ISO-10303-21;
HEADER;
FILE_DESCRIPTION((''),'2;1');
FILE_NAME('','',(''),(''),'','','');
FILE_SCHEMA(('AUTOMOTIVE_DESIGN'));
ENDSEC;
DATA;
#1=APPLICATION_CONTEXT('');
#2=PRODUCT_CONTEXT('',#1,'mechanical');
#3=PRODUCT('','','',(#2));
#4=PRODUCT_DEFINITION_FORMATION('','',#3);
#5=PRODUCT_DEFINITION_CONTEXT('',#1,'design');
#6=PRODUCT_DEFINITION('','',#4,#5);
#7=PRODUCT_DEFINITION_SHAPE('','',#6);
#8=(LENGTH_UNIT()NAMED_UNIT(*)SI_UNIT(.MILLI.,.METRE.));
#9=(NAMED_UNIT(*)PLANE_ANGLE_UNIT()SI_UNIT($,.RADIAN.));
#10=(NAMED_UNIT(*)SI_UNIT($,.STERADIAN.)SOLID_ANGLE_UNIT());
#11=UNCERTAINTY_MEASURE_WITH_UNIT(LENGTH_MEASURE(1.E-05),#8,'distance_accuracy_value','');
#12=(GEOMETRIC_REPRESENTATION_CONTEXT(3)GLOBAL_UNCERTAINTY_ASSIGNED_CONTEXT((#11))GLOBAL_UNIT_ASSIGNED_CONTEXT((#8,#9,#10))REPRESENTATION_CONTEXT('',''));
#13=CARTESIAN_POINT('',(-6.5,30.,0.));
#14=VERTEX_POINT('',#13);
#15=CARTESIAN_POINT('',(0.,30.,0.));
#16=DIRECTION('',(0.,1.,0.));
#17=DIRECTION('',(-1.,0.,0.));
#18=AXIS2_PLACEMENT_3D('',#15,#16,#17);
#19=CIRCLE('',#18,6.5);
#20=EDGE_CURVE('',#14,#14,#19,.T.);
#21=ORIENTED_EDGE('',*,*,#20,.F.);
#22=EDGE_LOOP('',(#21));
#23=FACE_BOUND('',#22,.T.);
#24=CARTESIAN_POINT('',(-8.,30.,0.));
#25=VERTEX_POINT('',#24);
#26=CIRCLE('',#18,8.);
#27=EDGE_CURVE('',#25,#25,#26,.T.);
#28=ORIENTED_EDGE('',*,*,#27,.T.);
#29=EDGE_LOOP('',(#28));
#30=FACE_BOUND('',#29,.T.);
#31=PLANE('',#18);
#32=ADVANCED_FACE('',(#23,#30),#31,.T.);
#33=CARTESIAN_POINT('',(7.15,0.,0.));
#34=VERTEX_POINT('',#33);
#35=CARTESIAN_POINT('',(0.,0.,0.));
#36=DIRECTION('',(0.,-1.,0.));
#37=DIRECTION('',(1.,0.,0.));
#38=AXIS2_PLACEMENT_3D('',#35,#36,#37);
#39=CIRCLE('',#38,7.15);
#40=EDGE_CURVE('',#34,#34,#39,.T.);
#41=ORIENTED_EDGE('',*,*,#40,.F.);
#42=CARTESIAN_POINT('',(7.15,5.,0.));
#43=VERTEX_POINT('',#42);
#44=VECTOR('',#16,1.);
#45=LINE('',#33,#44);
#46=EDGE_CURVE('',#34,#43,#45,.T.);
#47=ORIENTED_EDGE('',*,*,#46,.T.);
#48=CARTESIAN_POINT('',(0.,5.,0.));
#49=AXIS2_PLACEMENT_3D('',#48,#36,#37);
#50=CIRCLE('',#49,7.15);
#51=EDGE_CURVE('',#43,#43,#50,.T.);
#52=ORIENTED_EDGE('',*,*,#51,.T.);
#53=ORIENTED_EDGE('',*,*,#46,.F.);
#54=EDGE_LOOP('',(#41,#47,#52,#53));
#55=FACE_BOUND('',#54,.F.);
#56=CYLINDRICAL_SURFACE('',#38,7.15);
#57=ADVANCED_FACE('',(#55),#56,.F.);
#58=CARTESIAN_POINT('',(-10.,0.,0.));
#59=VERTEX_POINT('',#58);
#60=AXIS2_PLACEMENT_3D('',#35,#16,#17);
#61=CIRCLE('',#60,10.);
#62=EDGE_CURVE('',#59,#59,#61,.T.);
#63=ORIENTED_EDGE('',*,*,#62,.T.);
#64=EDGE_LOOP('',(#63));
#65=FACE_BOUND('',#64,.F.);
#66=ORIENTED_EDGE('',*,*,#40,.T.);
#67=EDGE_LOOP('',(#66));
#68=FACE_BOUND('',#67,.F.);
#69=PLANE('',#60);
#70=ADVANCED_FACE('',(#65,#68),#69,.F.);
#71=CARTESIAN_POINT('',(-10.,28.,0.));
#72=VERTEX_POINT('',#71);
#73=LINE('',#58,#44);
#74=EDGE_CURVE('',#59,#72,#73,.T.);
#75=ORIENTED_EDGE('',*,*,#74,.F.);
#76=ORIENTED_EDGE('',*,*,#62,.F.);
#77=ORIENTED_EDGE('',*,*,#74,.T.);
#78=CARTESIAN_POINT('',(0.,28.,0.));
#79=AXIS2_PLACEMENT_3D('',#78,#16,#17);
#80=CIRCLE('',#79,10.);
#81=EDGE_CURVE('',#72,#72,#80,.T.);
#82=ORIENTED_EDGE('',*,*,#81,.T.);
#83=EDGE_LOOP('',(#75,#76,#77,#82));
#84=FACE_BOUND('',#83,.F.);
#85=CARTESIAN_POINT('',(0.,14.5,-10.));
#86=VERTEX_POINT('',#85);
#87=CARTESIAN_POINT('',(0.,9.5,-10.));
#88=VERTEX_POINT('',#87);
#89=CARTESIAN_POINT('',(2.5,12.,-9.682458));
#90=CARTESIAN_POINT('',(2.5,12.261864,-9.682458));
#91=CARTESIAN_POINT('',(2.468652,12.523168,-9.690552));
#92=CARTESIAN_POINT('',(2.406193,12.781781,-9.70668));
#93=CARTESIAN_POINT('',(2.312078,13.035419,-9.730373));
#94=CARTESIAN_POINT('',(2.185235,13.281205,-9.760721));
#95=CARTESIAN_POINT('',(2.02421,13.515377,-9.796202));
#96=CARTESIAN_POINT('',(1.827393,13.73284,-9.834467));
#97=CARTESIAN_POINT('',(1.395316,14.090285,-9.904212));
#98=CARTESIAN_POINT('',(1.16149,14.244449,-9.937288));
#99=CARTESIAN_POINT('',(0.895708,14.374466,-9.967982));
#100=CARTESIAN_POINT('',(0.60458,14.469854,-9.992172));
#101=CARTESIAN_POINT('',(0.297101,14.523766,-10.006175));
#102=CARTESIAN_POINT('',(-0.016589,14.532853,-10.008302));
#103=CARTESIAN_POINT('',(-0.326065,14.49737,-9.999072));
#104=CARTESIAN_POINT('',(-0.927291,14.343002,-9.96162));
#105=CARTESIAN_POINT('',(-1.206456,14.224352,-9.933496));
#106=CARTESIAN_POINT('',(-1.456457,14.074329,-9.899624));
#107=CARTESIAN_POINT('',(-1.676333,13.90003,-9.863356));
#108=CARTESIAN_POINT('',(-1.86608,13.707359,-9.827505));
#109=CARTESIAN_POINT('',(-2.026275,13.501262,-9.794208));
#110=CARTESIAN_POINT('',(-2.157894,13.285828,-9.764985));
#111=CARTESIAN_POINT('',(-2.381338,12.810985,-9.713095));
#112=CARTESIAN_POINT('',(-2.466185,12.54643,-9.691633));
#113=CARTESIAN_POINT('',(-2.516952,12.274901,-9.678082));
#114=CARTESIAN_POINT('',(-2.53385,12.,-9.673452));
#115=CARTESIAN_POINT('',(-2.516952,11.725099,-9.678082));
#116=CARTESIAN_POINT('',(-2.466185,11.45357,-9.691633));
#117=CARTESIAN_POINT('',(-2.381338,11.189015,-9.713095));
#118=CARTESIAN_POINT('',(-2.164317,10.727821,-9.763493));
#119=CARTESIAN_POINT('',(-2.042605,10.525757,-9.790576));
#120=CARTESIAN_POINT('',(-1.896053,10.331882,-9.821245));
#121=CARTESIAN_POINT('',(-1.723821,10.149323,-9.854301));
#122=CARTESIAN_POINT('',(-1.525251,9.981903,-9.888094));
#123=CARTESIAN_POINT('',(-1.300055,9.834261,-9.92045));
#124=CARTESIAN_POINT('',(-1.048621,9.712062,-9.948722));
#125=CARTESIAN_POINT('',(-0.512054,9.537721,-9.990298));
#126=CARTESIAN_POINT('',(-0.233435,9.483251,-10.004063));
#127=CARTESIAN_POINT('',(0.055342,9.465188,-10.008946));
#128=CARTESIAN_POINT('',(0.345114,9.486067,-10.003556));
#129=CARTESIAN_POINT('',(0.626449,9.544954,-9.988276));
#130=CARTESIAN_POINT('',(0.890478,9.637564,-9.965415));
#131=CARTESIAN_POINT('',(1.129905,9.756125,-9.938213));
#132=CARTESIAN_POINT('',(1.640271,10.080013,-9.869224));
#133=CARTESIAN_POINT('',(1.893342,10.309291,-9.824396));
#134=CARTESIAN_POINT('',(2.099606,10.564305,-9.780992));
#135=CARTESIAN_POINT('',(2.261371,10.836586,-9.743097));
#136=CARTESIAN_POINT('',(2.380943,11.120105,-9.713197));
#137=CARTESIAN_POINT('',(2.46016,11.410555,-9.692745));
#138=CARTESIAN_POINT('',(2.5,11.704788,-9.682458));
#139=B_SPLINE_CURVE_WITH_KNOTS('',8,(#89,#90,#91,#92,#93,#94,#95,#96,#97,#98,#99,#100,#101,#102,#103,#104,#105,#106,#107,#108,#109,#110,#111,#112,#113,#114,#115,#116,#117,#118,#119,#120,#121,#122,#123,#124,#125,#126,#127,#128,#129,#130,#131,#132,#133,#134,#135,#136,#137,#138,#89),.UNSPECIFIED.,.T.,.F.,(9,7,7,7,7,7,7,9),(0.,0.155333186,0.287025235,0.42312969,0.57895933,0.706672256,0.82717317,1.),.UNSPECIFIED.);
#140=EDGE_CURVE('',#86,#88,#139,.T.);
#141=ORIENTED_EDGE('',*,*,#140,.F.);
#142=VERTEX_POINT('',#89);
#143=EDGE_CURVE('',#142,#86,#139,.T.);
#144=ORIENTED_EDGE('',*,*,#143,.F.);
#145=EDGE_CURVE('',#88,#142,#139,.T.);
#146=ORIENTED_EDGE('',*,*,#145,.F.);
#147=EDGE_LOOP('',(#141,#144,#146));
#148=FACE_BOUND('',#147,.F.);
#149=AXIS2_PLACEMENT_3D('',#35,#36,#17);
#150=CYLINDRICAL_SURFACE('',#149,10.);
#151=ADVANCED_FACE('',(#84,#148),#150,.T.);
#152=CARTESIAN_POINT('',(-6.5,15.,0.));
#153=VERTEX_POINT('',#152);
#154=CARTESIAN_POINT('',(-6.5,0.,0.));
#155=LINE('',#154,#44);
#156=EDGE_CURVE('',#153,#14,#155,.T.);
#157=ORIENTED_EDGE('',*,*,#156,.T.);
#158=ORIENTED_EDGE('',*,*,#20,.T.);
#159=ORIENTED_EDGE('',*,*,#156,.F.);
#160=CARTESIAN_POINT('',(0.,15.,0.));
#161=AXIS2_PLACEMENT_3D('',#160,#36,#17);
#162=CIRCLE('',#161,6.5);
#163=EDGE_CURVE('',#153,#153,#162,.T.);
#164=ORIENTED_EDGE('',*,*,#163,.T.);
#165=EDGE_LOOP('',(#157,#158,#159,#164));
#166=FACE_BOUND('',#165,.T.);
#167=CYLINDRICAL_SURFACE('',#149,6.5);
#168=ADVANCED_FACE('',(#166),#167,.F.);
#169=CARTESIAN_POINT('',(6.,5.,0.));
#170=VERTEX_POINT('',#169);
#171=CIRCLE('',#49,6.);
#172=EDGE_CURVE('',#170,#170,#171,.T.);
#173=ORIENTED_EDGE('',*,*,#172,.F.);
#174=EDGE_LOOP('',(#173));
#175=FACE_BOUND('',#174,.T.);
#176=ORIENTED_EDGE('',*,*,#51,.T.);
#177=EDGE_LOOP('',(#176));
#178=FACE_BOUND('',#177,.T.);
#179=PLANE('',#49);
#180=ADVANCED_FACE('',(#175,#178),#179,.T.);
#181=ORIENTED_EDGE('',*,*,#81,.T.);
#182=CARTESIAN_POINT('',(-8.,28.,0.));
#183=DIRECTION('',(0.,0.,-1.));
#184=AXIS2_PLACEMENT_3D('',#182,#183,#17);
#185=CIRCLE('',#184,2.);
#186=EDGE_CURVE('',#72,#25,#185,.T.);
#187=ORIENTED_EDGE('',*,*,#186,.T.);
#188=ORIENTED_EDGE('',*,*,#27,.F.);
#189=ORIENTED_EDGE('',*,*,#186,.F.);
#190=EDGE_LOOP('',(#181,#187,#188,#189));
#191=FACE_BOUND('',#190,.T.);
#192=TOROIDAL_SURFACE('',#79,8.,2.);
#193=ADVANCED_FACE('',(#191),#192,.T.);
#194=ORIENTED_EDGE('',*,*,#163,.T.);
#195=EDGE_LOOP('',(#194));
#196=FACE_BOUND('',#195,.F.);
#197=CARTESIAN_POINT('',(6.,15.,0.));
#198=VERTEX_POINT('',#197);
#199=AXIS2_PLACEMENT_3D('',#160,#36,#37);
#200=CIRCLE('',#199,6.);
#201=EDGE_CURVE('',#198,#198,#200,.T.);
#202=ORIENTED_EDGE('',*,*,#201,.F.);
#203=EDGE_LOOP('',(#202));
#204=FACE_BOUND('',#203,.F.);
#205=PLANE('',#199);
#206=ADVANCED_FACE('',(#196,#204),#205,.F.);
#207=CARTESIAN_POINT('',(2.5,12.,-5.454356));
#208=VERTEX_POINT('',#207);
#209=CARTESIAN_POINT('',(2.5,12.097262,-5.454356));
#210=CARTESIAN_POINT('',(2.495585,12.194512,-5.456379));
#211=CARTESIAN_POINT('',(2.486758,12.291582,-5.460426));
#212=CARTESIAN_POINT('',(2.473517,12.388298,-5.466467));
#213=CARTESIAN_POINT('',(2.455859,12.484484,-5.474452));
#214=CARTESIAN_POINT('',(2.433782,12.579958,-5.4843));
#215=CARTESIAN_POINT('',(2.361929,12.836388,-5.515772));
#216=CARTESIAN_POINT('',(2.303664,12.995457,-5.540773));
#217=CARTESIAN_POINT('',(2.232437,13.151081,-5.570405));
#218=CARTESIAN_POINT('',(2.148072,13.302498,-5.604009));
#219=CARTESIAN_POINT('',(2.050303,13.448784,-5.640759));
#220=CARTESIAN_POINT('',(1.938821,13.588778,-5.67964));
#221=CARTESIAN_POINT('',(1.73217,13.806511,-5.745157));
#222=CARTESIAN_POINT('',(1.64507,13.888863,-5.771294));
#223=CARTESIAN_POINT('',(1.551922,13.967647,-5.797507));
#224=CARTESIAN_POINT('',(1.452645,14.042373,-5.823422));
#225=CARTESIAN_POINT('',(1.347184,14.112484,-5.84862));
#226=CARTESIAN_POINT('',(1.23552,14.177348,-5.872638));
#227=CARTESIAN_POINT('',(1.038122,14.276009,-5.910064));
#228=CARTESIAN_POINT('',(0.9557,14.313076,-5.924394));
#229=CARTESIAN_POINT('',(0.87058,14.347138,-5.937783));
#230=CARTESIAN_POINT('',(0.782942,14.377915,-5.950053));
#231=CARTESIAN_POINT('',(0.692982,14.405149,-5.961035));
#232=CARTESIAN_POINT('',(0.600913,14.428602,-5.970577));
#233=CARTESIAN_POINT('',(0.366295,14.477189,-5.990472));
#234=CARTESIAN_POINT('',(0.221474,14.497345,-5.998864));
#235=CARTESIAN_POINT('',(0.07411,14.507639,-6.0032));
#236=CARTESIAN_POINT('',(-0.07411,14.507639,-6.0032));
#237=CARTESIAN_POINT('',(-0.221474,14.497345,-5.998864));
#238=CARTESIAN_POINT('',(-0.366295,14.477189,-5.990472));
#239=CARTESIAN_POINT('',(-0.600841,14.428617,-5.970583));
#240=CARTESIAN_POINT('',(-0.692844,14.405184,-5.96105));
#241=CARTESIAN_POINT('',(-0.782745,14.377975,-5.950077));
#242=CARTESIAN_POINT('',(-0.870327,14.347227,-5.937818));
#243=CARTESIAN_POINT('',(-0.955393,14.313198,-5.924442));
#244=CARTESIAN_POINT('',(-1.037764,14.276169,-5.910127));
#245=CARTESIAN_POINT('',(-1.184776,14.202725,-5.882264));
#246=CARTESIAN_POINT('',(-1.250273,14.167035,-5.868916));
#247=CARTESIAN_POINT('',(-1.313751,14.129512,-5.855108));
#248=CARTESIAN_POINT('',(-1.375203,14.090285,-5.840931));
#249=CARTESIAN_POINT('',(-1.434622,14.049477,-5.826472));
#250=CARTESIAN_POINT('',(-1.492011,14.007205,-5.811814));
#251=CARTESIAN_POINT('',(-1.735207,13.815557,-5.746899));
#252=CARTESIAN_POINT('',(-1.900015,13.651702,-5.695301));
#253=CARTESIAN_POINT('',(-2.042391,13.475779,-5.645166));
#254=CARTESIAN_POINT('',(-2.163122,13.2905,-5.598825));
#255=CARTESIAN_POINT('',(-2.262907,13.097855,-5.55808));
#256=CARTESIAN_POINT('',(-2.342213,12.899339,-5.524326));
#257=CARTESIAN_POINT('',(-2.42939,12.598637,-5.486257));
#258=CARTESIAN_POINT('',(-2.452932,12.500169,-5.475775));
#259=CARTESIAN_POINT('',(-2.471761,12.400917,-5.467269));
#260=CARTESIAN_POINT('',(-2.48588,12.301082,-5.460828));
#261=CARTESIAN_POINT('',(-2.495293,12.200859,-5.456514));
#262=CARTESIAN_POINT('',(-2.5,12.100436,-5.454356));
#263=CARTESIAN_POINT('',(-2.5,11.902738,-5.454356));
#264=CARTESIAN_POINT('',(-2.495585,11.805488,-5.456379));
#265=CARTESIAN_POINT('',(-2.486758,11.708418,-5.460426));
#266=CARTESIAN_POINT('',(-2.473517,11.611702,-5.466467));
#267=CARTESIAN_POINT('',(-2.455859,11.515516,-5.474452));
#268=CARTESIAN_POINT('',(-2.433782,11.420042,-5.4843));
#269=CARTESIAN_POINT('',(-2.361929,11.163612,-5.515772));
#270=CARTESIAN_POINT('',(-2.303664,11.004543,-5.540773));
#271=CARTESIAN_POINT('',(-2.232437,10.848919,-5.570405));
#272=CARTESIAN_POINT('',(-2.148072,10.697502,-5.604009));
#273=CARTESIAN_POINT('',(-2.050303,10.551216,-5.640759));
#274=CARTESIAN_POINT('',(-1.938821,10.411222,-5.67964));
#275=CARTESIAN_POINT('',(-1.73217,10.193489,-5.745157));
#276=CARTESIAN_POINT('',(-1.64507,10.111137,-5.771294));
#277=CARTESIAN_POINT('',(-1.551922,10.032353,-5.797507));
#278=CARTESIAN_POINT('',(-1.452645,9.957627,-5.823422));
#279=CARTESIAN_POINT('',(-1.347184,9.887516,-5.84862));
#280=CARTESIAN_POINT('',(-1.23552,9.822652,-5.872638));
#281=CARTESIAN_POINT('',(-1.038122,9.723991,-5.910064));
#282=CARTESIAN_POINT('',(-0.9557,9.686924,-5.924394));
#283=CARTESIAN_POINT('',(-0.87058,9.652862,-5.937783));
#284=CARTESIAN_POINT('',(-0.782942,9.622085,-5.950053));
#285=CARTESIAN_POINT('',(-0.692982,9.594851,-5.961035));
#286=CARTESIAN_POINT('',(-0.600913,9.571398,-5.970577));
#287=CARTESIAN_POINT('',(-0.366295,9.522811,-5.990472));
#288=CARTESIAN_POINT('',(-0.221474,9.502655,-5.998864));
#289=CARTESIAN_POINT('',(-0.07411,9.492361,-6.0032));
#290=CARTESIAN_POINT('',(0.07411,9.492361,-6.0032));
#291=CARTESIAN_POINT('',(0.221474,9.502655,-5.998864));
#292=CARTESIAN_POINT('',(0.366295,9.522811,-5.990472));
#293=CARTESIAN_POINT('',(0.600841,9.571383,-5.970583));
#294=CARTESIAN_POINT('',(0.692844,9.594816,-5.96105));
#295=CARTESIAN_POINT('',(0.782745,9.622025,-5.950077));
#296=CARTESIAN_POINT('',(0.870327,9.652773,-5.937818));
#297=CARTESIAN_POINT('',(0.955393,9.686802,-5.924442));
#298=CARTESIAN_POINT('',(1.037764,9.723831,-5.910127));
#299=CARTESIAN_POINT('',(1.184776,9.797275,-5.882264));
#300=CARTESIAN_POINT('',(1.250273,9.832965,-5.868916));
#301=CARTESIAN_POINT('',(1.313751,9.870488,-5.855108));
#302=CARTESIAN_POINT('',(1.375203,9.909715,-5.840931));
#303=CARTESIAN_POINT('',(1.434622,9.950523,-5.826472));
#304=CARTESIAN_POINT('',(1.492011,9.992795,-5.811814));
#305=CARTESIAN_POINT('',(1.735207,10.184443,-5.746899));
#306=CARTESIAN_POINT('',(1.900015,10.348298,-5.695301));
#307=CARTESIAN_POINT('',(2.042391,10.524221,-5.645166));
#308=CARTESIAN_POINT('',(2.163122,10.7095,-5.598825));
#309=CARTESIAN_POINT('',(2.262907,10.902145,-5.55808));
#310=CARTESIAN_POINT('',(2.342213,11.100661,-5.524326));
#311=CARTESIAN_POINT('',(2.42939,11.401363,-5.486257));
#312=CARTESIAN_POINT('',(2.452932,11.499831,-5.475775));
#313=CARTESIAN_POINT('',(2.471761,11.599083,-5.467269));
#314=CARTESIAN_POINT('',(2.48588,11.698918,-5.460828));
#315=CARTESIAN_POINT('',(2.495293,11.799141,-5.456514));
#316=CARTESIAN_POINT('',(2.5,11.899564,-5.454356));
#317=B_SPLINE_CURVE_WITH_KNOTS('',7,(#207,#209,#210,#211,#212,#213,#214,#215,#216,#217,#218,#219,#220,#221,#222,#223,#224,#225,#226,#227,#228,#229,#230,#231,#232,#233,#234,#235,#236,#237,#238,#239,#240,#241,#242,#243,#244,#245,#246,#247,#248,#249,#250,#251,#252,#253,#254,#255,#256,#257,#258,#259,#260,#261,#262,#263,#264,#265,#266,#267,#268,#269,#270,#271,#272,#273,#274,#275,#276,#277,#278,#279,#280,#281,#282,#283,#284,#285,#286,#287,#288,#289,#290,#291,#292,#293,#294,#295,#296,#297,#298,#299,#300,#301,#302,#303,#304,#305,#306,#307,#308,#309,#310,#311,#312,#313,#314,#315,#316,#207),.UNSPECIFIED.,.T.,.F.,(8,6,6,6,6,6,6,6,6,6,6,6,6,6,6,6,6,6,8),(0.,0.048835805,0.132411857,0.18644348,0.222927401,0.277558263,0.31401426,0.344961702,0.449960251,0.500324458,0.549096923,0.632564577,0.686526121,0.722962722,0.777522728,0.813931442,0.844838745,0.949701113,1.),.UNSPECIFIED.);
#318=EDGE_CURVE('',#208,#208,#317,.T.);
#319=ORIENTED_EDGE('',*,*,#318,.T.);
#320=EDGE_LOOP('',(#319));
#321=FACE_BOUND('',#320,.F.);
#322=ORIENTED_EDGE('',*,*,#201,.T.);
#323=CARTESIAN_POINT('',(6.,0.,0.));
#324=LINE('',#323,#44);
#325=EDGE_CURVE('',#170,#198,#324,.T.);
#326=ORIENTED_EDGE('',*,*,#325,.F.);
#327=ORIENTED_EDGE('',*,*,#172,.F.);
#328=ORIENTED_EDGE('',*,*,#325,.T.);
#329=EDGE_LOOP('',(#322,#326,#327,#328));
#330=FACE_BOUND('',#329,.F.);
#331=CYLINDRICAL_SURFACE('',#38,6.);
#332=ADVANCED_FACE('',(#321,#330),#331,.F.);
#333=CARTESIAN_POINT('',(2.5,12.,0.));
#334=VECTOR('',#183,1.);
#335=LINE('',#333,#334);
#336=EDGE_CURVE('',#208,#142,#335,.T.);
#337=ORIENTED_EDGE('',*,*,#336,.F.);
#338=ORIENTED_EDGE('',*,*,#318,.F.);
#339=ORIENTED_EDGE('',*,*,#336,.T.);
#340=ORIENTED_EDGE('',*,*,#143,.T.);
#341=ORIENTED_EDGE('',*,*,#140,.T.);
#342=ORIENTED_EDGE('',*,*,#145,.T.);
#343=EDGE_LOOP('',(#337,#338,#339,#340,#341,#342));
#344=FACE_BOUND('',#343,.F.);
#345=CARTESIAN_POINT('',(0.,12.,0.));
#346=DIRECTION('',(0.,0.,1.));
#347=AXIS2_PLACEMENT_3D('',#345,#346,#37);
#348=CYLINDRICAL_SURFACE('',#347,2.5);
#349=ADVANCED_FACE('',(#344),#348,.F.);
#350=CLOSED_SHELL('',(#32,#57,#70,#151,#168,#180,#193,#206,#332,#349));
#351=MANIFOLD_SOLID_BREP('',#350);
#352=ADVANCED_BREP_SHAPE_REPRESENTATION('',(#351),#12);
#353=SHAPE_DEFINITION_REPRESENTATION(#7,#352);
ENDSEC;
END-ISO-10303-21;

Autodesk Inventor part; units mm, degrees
ref_plane "YZ Plane" through (0, 0, 0) normal (1, 0, 0) x (0, 1, 0)
ref_plane "XZ Plane" through (0, 0, 0) normal (0, 1, 0) x (-1, 0, 0)
ref_plane "XY Plane" through (0, 0, 0) normal (0, 0, 1) x (1, 0, 0)
sketch "Sketch1" plane through (0, 0, 0) normal (0, 1, 0) x (-1, 0, 0)
  circle A0 centre (0, 0) radius 6.5
  circle A1 centre (0, 0) radius 10
  dimension "d0" = 13
  dimension "d1" = 20
extrude "Extrusion1" add sketch "Sketch1" along normal blind 30
sketch "Sketch2" plane through (0, 0, 0) normal (0, -1, 0) x (1, 0, 0)
  circle A0 centre (0, 0) radius 6
  circle A1 centre (0, 0) radius 6.5 projected
  dimension "d4" = 12
extrude "Extrusion2" add sketch "Sketch2" against normal blind 15
sketch "Sketch3" plane through (0, 0, 0) normal (0, -1, 0) x (1, 0, 0)
  circle A0 centre (0, 0) radius 7.15
  dimension "d7" = 14.3
extrude "Extrusion3" cut sketch "Sketch3" against normal blind 5
fillet "Fillet1" radius 2 1 edges at (10, 30, 0)
sketch "Sketch4" plane through (0, 0, 0) normal (0, 0, 1) x (1, 0, 0)
  circle A0 centre (0, 12) radius 2.5
  line L0 (-8, 30) -> (8, 30) projected
  point P0 (0, 0)
  dimension "d11" = 5
  dimension "d12" = 18
extrude "Extrusion4" cut sketch "Sketch4" against normal blind 10
properties part number "ConnectorC"
